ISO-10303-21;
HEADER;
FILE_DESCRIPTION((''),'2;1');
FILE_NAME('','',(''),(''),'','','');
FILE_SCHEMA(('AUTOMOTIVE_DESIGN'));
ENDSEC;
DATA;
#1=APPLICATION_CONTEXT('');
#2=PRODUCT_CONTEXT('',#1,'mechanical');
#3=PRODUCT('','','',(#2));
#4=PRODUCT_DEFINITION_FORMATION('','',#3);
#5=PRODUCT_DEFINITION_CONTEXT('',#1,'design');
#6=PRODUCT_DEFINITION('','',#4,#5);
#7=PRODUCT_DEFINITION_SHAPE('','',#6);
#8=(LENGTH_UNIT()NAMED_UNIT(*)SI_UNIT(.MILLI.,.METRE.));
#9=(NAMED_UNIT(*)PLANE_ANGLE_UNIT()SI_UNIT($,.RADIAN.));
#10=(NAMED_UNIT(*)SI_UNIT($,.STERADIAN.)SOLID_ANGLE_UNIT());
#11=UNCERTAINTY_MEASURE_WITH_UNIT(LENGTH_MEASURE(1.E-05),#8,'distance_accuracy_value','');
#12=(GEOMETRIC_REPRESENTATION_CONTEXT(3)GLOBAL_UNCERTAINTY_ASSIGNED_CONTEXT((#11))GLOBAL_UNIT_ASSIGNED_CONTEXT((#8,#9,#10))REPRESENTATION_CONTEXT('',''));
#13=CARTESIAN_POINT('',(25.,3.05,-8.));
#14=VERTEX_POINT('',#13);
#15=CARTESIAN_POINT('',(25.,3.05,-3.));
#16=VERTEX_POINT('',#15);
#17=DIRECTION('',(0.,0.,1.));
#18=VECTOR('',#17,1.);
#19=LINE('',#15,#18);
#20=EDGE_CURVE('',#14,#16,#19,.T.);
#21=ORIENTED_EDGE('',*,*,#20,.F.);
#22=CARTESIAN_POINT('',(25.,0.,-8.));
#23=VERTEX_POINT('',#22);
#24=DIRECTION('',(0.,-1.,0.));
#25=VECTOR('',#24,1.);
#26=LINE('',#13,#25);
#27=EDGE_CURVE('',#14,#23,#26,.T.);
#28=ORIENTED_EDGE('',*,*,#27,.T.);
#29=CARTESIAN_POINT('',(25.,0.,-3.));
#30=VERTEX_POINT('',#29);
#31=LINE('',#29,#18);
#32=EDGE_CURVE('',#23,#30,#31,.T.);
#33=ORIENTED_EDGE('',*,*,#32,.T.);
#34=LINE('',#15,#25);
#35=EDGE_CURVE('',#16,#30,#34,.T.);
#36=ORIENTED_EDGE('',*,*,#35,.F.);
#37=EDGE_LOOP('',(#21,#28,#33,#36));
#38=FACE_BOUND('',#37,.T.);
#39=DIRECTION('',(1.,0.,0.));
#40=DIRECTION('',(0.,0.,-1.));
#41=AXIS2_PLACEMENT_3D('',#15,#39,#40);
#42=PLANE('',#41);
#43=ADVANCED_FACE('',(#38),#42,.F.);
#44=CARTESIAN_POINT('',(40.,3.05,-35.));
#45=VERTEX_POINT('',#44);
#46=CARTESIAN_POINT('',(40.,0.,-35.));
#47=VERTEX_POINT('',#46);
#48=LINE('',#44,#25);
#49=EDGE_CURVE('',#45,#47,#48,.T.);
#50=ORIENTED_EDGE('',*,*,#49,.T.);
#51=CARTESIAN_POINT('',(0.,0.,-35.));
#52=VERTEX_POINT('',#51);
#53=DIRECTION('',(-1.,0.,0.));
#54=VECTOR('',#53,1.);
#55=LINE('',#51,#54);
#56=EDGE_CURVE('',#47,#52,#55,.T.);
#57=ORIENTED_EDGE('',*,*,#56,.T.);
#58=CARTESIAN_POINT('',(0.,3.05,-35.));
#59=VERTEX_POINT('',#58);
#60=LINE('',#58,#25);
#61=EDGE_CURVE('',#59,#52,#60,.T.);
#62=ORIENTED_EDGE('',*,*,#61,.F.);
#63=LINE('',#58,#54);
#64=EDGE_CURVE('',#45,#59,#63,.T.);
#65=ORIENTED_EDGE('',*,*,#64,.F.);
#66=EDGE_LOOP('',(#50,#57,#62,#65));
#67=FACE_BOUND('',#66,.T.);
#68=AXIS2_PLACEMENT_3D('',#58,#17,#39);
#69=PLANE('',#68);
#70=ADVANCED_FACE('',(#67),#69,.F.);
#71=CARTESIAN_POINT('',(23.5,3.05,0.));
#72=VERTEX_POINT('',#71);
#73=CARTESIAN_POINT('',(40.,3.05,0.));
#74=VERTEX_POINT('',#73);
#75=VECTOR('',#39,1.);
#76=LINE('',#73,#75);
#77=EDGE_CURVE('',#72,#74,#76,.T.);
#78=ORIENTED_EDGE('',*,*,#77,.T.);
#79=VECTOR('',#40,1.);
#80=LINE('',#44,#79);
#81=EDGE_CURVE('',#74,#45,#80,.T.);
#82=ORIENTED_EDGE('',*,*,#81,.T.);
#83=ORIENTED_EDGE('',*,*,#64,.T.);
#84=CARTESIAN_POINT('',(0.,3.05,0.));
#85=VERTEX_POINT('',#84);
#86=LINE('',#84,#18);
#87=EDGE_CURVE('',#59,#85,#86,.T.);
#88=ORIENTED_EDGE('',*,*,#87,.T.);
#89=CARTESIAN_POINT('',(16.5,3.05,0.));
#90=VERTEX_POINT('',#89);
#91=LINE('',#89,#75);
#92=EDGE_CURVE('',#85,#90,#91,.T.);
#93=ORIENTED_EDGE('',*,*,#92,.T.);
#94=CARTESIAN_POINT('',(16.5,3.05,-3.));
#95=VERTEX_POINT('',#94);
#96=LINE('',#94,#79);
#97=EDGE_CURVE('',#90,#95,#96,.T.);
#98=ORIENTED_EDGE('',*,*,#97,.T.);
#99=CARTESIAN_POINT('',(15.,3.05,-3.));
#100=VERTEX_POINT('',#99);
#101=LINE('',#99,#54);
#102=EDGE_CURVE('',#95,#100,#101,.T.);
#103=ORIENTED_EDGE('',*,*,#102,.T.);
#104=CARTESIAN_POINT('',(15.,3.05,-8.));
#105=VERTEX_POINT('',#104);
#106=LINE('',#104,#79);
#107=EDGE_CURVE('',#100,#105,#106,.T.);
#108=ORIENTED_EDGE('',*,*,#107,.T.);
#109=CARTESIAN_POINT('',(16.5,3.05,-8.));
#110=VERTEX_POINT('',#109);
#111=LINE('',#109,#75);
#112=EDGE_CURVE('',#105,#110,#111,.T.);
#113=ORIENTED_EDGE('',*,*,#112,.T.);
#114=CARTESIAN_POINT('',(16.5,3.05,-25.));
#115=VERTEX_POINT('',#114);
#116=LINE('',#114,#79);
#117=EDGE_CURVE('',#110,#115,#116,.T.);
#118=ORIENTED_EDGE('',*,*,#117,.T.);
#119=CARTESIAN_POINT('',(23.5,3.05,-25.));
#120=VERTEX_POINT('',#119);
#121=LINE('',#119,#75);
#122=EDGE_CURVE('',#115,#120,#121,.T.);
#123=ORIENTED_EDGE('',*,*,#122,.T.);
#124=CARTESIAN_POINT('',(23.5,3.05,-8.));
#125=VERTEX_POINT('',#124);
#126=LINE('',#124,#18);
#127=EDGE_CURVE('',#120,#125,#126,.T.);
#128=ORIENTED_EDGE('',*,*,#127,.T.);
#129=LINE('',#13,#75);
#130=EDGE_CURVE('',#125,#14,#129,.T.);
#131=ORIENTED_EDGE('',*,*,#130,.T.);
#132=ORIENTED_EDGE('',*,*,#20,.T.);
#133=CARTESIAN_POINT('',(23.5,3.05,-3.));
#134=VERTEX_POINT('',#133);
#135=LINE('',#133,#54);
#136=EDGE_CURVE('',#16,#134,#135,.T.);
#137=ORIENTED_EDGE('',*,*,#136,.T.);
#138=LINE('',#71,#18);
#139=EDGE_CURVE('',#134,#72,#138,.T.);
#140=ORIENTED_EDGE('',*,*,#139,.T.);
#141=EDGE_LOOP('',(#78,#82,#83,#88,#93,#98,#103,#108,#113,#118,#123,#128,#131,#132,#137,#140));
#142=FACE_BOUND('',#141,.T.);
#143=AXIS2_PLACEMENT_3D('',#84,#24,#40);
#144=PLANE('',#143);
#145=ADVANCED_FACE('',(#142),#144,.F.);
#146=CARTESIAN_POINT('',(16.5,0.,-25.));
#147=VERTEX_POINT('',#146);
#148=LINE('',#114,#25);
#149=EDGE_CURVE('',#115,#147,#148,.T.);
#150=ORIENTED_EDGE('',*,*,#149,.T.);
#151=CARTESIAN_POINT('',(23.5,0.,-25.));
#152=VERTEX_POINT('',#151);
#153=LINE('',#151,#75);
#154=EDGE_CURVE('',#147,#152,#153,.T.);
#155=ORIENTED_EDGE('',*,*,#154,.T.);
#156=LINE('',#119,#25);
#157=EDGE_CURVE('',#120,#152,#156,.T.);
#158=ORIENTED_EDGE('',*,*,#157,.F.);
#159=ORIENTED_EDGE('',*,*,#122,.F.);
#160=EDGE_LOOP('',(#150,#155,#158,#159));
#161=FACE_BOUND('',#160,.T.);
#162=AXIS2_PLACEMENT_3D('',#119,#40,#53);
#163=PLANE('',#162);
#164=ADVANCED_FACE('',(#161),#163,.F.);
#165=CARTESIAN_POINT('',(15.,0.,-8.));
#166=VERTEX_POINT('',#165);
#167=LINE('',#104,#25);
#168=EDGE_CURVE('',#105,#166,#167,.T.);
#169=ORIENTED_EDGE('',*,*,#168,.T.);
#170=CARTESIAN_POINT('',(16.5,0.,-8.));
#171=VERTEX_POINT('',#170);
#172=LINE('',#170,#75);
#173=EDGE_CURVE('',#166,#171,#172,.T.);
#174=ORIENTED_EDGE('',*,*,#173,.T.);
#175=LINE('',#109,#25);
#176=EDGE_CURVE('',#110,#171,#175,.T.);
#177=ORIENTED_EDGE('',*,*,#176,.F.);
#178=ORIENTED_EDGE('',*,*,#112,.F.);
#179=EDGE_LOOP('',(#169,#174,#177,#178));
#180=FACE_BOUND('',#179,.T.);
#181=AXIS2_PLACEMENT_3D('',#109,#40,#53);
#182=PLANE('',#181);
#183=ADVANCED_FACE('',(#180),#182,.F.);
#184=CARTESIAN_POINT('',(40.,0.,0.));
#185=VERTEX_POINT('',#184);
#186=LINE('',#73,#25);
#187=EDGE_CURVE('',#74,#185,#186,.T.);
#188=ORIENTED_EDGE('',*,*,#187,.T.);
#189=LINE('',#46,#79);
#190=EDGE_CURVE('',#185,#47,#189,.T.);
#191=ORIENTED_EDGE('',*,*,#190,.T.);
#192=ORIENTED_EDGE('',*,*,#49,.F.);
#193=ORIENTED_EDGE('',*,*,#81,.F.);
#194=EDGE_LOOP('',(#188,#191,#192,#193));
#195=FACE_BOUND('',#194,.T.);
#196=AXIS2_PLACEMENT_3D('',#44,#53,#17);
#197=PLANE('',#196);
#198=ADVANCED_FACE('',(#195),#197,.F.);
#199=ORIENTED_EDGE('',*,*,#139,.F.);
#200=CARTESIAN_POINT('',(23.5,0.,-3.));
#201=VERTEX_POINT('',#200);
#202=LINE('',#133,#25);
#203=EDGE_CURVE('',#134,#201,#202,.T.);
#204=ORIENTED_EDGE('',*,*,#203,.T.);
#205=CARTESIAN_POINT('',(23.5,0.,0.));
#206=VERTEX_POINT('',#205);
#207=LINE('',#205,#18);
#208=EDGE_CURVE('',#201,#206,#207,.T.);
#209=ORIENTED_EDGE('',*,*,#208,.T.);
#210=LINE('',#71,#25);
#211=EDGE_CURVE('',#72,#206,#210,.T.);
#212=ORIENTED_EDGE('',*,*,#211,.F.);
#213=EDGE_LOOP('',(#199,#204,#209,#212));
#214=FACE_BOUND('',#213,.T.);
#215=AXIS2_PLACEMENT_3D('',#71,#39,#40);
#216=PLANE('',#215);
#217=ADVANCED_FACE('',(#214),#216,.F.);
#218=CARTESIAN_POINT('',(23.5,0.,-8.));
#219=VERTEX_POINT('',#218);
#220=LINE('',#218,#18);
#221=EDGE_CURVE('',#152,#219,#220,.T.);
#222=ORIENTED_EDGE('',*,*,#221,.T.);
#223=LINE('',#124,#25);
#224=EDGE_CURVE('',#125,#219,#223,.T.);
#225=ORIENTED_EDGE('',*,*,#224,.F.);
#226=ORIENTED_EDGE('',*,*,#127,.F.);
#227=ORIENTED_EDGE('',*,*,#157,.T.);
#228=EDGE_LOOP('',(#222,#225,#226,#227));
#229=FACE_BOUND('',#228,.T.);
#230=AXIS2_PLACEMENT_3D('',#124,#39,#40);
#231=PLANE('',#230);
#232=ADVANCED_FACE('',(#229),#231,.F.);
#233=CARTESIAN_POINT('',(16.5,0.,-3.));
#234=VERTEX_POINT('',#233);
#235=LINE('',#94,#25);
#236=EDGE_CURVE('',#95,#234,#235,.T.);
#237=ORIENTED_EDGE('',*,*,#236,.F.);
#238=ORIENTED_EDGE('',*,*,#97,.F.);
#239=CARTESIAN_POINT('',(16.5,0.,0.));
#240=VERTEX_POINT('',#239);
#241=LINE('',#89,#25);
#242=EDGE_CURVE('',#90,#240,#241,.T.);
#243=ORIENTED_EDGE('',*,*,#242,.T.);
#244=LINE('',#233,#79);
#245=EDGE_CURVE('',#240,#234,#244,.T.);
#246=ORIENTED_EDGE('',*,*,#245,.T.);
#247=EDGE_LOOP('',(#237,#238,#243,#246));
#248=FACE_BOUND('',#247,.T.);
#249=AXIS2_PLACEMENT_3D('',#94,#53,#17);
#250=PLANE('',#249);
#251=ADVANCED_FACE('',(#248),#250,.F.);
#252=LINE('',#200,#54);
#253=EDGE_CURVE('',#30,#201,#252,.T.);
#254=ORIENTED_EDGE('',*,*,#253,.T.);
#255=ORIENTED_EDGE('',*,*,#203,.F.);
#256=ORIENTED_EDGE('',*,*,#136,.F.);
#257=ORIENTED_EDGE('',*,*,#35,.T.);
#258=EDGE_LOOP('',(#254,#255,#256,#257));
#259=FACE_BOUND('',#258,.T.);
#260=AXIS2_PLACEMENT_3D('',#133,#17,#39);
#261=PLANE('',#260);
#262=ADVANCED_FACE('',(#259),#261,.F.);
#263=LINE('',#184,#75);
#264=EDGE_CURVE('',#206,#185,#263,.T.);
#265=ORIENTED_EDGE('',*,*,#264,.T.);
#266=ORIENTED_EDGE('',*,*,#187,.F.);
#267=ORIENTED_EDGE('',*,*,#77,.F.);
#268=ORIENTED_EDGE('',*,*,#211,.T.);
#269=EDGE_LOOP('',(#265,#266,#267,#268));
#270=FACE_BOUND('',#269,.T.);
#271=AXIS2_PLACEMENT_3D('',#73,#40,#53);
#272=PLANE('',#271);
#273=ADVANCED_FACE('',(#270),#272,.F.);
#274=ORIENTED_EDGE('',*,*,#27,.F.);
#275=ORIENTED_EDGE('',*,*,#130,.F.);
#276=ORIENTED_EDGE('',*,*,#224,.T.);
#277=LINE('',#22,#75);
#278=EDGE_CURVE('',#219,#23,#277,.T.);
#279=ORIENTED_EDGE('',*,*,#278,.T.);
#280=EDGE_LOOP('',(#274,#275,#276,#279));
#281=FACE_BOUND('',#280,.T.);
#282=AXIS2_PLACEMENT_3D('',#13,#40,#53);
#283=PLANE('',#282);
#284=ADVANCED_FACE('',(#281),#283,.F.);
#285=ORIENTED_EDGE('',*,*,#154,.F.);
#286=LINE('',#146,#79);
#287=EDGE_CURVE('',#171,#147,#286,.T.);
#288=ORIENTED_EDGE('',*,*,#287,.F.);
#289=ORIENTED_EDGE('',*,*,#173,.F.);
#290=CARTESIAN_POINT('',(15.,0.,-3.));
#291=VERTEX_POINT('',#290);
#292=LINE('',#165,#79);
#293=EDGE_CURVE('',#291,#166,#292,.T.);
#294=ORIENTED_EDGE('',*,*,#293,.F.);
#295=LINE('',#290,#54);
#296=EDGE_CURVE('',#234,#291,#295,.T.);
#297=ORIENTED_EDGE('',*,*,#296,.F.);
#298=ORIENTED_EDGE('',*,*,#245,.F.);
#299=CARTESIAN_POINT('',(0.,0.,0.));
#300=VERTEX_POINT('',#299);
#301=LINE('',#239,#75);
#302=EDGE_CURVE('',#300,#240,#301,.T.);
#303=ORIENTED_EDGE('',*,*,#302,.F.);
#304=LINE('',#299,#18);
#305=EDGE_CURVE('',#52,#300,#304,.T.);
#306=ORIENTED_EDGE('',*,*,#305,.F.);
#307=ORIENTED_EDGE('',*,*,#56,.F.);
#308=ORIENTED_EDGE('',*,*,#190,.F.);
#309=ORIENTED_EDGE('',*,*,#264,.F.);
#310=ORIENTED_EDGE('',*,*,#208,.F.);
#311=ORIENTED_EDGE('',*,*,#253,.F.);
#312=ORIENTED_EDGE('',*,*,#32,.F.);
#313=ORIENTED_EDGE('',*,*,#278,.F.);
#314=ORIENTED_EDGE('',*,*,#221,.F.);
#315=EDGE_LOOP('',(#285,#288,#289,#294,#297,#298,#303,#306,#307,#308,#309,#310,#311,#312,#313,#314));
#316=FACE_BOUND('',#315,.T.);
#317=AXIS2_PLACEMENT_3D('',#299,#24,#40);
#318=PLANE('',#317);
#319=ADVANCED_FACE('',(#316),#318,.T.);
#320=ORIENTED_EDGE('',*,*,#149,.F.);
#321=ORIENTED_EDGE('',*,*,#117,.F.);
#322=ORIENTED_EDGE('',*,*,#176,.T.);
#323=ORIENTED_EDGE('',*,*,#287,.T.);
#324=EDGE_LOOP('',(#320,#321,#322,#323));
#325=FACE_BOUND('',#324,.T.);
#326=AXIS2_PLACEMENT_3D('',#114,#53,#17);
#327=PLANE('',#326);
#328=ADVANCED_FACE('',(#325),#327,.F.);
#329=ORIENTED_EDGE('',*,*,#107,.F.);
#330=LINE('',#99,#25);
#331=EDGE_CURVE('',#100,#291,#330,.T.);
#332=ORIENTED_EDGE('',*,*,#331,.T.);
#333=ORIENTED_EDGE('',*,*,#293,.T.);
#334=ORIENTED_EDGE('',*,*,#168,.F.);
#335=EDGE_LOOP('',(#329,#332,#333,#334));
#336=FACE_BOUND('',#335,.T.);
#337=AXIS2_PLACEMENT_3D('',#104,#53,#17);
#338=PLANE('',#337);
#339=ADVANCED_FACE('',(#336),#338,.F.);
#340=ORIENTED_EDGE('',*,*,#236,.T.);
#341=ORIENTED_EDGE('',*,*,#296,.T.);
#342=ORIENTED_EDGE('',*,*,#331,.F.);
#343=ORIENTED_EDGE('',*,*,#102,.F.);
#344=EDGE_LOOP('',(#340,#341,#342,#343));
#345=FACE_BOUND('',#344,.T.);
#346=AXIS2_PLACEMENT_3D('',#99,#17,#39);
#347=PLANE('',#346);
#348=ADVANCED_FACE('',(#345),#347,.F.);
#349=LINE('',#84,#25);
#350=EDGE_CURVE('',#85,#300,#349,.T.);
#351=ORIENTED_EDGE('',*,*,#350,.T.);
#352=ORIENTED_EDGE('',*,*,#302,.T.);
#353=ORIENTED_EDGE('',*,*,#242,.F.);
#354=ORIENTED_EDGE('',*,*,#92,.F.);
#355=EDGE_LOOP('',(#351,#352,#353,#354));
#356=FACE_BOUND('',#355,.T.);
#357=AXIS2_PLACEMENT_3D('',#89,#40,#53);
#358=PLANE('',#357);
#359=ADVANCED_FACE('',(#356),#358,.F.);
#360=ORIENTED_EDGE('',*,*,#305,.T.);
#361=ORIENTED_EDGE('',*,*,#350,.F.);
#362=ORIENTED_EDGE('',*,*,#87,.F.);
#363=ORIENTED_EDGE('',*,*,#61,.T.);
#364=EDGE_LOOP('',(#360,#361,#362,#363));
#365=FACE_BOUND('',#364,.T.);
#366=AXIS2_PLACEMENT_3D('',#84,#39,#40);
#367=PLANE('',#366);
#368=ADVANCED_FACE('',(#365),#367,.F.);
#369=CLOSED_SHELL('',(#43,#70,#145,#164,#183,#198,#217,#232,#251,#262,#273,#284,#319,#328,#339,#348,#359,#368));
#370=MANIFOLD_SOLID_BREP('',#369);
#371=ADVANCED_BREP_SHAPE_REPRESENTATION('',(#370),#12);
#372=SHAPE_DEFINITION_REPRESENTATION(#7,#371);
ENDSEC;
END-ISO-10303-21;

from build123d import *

# Parameters (mm, degrees)
BOSS_EXTRUDE1_DEPTH = 3.05


with BuildPart() as part:
    # Sketch1 → Boss-Extrude1 (new body)
    with BuildSketch(Plane(origin=(0, 0, 0), x_dir=(1, 0, 0), z_dir=(0, 1, 0))):
        Polygon((0, 0), (0, 35), (40, 35), (40, 0), (23.5, 0), (23.5, 3), (25, 3), (25, 8), (23.5, 8), (23.5, 25), (16.5, 25), (16.5, 8), (15, 8), (15, 3), (16.5, 3), (16.5, 0), align=None)
    extrude(amount=BOSS_EXTRUDE1_DEPTH)


solid = part.part
